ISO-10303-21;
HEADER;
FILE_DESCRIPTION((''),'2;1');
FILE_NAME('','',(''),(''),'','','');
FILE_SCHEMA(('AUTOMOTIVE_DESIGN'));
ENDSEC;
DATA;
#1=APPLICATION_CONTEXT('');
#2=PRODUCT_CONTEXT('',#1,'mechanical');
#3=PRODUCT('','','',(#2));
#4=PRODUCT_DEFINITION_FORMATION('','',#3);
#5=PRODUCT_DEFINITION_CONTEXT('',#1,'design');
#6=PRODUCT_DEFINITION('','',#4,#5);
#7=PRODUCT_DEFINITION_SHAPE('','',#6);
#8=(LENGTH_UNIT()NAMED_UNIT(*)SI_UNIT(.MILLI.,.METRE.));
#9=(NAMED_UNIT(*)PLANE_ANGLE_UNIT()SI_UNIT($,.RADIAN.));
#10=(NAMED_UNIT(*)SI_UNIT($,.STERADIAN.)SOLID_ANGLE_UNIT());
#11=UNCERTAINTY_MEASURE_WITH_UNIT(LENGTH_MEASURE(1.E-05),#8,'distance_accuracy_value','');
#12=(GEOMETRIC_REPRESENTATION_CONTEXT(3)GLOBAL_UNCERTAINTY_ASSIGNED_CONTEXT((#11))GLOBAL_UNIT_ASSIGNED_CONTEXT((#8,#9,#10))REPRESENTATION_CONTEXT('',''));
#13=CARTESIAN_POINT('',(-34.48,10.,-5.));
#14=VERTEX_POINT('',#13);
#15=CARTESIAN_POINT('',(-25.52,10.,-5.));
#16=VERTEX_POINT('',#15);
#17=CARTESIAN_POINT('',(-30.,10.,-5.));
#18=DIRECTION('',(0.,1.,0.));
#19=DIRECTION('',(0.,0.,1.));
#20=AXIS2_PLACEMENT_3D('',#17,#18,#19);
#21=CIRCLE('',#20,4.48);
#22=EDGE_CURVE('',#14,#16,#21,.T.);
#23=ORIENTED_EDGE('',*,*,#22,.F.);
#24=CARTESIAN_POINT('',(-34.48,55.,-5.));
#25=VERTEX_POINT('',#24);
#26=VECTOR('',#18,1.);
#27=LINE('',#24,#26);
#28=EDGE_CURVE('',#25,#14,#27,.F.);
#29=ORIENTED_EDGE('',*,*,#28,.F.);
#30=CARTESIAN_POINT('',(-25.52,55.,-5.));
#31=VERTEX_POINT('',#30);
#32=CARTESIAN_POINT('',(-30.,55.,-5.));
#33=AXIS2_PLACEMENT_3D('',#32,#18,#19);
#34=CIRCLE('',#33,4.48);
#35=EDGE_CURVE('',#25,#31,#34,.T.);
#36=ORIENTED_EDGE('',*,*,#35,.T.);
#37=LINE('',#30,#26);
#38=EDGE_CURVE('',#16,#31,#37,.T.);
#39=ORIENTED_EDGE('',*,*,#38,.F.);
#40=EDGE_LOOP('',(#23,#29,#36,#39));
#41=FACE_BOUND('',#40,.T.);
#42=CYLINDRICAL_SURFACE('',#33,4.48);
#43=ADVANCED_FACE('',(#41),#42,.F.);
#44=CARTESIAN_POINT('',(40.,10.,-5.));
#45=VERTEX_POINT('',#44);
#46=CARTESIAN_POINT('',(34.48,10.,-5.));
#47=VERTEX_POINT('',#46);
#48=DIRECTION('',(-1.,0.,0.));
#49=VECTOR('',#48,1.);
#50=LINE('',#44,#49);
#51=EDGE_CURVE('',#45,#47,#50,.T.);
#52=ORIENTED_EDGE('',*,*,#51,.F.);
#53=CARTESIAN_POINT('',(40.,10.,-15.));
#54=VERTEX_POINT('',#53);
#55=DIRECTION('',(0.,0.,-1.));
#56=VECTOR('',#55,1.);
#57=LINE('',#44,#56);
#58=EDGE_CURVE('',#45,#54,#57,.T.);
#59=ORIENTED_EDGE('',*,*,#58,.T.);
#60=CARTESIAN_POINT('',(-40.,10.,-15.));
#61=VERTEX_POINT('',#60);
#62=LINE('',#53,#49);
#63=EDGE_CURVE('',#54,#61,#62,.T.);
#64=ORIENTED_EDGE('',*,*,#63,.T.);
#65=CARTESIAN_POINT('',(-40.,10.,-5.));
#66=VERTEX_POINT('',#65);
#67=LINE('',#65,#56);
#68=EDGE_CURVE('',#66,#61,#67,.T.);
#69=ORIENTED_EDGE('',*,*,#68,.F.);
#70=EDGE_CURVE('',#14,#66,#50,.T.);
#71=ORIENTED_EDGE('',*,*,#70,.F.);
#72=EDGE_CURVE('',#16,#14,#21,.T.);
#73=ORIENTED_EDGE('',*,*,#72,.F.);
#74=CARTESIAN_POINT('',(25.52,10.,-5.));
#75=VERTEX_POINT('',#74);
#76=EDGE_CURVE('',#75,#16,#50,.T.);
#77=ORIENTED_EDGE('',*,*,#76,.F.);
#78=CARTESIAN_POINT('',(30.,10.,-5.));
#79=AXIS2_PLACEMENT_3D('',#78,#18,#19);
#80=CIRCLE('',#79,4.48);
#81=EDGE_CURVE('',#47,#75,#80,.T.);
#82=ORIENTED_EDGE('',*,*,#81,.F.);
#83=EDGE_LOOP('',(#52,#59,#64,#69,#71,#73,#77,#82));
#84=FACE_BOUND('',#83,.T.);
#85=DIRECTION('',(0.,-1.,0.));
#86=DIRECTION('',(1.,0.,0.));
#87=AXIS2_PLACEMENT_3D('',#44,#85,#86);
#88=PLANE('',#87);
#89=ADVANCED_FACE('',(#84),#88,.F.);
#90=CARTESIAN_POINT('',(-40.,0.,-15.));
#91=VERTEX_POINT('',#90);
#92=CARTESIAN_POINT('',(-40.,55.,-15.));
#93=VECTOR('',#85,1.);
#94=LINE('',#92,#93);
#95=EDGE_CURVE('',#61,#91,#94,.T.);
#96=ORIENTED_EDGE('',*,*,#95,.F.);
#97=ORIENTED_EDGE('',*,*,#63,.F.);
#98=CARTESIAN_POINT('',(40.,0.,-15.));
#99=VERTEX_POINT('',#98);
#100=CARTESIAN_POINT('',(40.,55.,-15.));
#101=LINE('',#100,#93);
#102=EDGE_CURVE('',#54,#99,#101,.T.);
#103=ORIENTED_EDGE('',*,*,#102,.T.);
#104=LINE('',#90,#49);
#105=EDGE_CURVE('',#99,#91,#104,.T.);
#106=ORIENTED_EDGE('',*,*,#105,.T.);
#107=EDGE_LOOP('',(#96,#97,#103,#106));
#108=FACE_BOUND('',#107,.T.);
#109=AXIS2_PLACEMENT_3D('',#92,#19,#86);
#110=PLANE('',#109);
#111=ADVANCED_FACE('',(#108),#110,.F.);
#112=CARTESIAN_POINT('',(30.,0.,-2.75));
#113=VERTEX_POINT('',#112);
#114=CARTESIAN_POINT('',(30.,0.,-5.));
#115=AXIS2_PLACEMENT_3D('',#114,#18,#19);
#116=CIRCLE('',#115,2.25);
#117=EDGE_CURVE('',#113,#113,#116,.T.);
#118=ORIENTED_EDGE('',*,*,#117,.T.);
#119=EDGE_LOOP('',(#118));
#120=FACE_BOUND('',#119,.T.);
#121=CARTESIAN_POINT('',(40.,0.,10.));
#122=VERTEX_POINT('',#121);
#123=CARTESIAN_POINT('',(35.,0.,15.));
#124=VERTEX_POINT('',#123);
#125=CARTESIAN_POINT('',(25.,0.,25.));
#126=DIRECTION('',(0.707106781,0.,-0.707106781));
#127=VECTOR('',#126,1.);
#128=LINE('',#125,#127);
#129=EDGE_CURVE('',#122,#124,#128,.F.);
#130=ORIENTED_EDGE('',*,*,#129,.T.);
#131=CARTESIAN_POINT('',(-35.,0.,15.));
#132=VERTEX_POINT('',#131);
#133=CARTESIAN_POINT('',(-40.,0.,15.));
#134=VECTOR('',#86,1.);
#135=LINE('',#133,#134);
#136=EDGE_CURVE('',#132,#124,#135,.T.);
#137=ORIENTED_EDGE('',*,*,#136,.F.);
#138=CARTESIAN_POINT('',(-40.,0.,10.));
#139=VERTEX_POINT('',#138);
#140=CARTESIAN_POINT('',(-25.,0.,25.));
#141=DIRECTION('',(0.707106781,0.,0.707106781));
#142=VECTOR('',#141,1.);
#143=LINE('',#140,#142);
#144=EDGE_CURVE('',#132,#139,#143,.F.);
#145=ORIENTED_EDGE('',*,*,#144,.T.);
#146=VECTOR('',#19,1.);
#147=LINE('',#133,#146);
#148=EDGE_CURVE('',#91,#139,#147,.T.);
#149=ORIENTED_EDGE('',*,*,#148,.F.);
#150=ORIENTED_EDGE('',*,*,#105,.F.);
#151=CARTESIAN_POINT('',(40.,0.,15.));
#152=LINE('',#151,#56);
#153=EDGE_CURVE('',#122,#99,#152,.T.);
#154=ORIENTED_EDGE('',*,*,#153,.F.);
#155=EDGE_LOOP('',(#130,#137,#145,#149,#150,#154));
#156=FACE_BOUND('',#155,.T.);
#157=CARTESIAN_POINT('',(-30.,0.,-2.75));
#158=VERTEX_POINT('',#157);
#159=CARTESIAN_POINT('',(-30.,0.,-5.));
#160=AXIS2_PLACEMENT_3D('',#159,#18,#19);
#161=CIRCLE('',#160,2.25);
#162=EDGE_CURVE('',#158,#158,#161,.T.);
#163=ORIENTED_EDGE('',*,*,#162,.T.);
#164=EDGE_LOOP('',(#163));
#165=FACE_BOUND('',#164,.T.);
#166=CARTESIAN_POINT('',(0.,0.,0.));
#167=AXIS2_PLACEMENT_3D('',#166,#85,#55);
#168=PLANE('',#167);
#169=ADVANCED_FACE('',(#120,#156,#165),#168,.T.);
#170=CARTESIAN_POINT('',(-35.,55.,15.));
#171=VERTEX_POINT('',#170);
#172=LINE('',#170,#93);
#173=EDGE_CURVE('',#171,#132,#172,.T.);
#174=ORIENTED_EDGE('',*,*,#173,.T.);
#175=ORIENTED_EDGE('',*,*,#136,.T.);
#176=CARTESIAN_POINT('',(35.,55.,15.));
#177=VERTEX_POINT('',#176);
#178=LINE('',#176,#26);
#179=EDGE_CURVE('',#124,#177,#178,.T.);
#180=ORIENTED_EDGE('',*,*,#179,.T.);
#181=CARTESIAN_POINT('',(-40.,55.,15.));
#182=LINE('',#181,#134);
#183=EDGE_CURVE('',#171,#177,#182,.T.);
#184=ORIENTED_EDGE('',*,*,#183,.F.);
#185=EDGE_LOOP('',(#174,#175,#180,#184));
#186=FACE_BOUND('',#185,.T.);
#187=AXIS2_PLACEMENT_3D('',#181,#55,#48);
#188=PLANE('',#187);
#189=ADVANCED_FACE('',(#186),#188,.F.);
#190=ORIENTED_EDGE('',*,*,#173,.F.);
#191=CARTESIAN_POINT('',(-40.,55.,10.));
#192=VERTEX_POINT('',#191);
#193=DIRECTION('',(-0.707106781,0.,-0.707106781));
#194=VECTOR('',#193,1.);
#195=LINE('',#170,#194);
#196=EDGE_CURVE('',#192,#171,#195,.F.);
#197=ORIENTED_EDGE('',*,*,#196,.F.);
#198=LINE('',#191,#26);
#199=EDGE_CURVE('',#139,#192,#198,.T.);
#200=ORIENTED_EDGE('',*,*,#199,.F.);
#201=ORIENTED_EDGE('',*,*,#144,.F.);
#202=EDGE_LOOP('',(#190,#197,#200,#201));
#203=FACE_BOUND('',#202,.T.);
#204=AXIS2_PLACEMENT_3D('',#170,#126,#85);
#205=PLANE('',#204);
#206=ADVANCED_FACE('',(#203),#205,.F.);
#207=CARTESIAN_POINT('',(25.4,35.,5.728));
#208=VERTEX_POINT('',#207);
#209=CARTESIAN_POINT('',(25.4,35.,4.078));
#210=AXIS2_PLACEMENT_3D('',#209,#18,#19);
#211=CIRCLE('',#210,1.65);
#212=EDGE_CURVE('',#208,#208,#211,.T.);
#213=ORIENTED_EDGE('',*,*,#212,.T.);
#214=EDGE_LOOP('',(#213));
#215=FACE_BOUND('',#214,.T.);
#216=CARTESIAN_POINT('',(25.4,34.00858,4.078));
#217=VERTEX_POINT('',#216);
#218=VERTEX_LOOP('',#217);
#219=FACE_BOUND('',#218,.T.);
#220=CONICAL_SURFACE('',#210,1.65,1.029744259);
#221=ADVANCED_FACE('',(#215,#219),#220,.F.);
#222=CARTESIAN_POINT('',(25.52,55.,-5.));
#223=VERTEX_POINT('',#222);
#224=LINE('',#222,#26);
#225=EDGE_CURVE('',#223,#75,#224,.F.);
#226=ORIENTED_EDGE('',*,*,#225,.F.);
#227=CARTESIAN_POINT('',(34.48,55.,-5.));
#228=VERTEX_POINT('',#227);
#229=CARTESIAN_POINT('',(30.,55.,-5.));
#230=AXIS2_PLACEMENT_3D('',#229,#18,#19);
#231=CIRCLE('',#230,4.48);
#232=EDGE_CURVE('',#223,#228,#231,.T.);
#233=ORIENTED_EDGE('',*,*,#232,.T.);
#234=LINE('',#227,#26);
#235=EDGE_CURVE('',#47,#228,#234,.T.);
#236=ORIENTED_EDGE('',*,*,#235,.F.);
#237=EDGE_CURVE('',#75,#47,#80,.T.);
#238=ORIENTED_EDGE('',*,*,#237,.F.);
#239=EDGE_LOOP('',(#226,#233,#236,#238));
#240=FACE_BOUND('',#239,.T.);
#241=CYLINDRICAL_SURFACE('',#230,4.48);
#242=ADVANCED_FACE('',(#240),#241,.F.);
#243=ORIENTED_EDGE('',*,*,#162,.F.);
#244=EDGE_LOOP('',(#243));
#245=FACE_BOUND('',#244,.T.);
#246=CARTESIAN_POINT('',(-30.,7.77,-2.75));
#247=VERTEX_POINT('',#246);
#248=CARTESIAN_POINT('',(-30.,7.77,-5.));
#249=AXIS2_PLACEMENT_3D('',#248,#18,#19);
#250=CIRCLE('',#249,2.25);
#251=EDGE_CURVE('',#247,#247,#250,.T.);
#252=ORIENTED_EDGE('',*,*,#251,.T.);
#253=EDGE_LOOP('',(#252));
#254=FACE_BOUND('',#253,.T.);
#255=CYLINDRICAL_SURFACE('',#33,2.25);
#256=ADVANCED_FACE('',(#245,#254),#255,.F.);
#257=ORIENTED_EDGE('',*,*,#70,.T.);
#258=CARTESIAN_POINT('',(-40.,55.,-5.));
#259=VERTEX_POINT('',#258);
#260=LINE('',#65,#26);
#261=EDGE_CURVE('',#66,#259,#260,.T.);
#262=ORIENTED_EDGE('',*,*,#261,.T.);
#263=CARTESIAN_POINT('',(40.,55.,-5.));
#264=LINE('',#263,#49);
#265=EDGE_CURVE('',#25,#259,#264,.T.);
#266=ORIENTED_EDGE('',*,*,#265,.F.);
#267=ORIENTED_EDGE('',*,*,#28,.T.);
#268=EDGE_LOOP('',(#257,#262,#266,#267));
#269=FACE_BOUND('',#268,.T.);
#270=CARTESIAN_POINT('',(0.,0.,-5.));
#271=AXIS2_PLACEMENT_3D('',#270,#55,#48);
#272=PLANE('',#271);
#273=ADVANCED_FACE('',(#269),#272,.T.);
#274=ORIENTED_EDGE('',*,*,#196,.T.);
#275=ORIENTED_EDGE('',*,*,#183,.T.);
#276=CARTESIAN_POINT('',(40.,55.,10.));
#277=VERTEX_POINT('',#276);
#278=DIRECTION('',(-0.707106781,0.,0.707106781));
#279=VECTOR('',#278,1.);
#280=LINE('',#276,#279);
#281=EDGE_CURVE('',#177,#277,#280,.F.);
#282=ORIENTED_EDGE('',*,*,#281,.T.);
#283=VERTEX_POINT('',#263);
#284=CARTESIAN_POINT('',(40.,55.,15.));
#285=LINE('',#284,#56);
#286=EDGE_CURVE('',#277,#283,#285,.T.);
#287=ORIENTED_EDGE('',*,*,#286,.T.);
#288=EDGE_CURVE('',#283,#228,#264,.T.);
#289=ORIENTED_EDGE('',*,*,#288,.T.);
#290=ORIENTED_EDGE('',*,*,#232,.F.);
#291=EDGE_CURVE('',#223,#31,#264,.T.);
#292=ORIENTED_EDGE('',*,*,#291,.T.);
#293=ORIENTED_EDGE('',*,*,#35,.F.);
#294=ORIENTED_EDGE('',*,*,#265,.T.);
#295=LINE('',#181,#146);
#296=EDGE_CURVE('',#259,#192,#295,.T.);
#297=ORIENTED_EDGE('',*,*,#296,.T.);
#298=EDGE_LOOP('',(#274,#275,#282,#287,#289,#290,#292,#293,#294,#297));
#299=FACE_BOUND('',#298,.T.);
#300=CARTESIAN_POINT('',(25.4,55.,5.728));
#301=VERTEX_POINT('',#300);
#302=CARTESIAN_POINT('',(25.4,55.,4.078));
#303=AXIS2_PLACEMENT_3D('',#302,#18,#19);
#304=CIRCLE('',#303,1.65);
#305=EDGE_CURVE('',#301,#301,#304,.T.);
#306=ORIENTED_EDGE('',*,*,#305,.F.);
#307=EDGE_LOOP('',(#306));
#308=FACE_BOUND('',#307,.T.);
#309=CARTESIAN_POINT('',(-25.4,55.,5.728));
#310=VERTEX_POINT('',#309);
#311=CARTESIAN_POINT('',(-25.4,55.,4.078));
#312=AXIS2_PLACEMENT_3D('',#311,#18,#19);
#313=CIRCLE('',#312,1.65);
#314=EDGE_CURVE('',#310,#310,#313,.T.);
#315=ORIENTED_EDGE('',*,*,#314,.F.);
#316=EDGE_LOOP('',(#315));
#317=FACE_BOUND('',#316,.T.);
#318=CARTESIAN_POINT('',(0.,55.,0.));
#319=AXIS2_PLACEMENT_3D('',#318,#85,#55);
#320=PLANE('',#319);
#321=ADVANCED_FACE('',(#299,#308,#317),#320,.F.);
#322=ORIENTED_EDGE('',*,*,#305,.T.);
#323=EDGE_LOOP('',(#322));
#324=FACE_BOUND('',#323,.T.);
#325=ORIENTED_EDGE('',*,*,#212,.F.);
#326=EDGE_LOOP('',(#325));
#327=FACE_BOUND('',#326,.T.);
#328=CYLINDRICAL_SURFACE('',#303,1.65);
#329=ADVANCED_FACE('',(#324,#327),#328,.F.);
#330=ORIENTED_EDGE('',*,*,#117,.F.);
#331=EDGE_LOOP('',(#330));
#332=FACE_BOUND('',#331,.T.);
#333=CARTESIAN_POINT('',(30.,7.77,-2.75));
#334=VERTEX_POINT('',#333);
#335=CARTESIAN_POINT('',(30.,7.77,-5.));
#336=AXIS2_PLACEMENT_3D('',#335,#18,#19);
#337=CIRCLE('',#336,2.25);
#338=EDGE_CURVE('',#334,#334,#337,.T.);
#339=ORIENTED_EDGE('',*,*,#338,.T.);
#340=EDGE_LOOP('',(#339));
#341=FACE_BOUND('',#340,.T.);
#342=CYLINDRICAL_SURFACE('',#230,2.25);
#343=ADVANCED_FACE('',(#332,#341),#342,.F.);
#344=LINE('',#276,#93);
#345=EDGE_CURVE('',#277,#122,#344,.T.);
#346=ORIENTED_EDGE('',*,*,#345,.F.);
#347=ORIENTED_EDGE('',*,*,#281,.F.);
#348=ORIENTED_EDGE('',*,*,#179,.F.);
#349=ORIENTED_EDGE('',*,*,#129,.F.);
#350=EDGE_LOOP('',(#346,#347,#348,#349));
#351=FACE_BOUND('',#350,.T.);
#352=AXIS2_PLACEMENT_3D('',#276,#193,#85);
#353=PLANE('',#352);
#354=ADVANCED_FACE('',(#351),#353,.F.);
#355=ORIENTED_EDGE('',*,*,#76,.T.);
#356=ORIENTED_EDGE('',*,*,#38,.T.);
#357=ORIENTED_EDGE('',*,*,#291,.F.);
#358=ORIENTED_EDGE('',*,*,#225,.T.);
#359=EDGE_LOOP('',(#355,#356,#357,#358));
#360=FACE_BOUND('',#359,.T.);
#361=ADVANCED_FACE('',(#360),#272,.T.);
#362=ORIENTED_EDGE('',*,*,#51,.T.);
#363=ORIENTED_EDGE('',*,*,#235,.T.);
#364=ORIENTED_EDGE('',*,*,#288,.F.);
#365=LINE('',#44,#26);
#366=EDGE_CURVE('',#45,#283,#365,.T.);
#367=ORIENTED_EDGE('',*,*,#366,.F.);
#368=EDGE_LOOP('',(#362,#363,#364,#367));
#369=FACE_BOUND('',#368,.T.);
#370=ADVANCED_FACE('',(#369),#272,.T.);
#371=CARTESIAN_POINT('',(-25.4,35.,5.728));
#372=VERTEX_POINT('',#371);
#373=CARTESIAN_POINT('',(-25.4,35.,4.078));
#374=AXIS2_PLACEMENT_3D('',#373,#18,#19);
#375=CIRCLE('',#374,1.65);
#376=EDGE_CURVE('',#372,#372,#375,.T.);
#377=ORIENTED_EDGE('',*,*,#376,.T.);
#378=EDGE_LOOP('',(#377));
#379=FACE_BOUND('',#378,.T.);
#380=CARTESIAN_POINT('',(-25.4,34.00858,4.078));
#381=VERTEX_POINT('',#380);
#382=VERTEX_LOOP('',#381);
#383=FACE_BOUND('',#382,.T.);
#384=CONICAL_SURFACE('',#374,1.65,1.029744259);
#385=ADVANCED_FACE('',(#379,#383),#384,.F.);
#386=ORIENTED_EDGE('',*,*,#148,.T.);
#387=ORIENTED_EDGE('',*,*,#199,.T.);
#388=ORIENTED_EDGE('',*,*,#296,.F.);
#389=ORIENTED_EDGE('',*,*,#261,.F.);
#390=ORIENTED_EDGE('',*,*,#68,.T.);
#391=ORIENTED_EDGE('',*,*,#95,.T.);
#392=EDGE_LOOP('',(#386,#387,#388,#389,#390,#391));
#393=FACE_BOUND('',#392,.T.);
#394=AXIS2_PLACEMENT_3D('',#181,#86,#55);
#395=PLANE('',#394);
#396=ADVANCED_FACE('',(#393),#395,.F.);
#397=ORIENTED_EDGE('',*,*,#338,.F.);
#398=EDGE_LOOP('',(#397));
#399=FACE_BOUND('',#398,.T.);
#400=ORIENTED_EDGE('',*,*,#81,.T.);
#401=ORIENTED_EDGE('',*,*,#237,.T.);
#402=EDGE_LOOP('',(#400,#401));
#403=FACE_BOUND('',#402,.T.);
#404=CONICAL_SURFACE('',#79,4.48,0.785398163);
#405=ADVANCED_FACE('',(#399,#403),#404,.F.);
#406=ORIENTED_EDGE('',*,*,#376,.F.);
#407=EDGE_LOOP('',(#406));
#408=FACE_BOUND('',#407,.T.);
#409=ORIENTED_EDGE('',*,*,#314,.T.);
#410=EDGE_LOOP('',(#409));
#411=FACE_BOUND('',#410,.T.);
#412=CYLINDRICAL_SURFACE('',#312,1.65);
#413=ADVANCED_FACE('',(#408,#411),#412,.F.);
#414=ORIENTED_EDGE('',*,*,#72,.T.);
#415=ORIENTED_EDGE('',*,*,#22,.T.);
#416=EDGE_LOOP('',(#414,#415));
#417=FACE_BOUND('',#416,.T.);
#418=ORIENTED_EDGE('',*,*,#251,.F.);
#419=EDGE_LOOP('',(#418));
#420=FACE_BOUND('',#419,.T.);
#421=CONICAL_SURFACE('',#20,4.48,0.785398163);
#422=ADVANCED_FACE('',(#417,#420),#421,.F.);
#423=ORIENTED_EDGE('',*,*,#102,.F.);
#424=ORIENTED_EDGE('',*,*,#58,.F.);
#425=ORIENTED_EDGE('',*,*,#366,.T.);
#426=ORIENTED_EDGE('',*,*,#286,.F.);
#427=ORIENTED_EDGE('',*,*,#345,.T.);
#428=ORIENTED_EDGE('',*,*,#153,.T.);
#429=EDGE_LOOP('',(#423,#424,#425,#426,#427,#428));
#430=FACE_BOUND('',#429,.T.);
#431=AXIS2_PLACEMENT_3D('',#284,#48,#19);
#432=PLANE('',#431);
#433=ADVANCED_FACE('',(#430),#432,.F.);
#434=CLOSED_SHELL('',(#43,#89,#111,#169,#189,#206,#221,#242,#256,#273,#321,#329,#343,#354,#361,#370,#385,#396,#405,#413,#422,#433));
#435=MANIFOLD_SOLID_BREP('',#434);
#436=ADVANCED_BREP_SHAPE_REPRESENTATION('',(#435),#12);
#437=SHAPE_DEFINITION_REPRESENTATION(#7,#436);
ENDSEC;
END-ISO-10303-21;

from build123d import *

# Parameters (mm, degrees)
SKETCH1_W                    = 80
SKETCH1_H                    = 30
BOSS_EXTRUDE1_DEPTH          = 55
CSK_FOR_M4_SFHCS1_AT_2_COUNT = 2
CSK_FOR_M4_SFHCS1_AT_2_PITCH = 60
M4X0_7_TAPPED_HOLE1_D        = 3.3
M4X0_7_TAPPED_HOLE1_DEPTH    = 20
M4X0_7_TAPPED_HOLE1_TIP      = 0.991420021
CHAMFER1_SIZE                = 5
SKETCH9_W                    = 80
SKETCH9_H                    = 45
CUT_EXTRUDE1_DEPTH           = 10


with BuildPart() as part:
    # Sketch1 → Boss-Extrude1 (new body)
    with BuildSketch(Plane(origin=(0, 0, 0), x_dir=(1, 0, 0), z_dir=(0, 1, 0))):
        Rectangle(SKETCH1_W, SKETCH1_H)
    extrude(amount=BOSS_EXTRUDE1_DEPTH)

    # Sketch5 → CSK for M4 SFHCS1 (revolve, cut)
    with BuildSketch(Plane(origin=(-30, 55, -5), x_dir=(0, 0, 1), z_dir=(1, 0, 0))):
        Polygon((0, 0), (0, 55), (2.25, 55), (2.25, 47.23), (4.48, 45), (4.48, 0), align=None)
    csk_for_m4_sfhcs1 = revolve(axis=Axis((-30, 61.35, -5), (0, -1, 0)), mode=Mode.SUBTRACT)

    # CSK for M4 SFHCS1 at 2: CSK for M4 SFHCS1 ×2
    with Locations(*[(i * CSK_FOR_M4_SFHCS1_AT_2_PITCH, 0, 0) for i in range(1, CSK_FOR_M4_SFHCS1_AT_2_COUNT)]):
        add(csk_for_m4_sfhcs1, mode=Mode.SUBTRACT)

    # M4x0.7 Tapped Hole1
    with Locations(Plane(origin=(0, 55, 0), x_dir=(1, 0, 0), z_dir=(0, 1, 0))):
        with Locations((-25.4, -4.078), (25.4, -4.078)):
            Hole(M4X0_7_TAPPED_HOLE1_D / 2, depth=M4X0_7_TAPPED_HOLE1_DEPTH)
            with Locations((0, 0, -(M4X0_7_TAPPED_HOLE1_DEPTH + M4X0_7_TAPPED_HOLE1_TIP / 2))):  # 118° drill point
                Cone(0, M4X0_7_TAPPED_HOLE1_D / 2, M4X0_7_TAPPED_HOLE1_TIP, mode=Mode.SUBTRACT)

    # Chamfer1
    chamfer1_edges = [part.edges().sort_by_distance(p)[0] for p in [
        (40, 27.5, 15),
        (-40, 27.5, 15),
    ]]
    chamfer(chamfer1_edges, length=CHAMFER1_SIZE)

    # Sketch9 → Cut-Extrude1 (cut)
    with BuildSketch(Plane(origin=(0, 0, -15), x_dir=(-1, 0, 0), z_dir=(0, 0, -1))):
        with Locations((0, 32.5)):
            Rectangle(SKETCH9_W, SKETCH9_H)
    extrude(amount=-CUT_EXTRUDE1_DEPTH, mode=Mode.SUBTRACT)


solid = part.part
